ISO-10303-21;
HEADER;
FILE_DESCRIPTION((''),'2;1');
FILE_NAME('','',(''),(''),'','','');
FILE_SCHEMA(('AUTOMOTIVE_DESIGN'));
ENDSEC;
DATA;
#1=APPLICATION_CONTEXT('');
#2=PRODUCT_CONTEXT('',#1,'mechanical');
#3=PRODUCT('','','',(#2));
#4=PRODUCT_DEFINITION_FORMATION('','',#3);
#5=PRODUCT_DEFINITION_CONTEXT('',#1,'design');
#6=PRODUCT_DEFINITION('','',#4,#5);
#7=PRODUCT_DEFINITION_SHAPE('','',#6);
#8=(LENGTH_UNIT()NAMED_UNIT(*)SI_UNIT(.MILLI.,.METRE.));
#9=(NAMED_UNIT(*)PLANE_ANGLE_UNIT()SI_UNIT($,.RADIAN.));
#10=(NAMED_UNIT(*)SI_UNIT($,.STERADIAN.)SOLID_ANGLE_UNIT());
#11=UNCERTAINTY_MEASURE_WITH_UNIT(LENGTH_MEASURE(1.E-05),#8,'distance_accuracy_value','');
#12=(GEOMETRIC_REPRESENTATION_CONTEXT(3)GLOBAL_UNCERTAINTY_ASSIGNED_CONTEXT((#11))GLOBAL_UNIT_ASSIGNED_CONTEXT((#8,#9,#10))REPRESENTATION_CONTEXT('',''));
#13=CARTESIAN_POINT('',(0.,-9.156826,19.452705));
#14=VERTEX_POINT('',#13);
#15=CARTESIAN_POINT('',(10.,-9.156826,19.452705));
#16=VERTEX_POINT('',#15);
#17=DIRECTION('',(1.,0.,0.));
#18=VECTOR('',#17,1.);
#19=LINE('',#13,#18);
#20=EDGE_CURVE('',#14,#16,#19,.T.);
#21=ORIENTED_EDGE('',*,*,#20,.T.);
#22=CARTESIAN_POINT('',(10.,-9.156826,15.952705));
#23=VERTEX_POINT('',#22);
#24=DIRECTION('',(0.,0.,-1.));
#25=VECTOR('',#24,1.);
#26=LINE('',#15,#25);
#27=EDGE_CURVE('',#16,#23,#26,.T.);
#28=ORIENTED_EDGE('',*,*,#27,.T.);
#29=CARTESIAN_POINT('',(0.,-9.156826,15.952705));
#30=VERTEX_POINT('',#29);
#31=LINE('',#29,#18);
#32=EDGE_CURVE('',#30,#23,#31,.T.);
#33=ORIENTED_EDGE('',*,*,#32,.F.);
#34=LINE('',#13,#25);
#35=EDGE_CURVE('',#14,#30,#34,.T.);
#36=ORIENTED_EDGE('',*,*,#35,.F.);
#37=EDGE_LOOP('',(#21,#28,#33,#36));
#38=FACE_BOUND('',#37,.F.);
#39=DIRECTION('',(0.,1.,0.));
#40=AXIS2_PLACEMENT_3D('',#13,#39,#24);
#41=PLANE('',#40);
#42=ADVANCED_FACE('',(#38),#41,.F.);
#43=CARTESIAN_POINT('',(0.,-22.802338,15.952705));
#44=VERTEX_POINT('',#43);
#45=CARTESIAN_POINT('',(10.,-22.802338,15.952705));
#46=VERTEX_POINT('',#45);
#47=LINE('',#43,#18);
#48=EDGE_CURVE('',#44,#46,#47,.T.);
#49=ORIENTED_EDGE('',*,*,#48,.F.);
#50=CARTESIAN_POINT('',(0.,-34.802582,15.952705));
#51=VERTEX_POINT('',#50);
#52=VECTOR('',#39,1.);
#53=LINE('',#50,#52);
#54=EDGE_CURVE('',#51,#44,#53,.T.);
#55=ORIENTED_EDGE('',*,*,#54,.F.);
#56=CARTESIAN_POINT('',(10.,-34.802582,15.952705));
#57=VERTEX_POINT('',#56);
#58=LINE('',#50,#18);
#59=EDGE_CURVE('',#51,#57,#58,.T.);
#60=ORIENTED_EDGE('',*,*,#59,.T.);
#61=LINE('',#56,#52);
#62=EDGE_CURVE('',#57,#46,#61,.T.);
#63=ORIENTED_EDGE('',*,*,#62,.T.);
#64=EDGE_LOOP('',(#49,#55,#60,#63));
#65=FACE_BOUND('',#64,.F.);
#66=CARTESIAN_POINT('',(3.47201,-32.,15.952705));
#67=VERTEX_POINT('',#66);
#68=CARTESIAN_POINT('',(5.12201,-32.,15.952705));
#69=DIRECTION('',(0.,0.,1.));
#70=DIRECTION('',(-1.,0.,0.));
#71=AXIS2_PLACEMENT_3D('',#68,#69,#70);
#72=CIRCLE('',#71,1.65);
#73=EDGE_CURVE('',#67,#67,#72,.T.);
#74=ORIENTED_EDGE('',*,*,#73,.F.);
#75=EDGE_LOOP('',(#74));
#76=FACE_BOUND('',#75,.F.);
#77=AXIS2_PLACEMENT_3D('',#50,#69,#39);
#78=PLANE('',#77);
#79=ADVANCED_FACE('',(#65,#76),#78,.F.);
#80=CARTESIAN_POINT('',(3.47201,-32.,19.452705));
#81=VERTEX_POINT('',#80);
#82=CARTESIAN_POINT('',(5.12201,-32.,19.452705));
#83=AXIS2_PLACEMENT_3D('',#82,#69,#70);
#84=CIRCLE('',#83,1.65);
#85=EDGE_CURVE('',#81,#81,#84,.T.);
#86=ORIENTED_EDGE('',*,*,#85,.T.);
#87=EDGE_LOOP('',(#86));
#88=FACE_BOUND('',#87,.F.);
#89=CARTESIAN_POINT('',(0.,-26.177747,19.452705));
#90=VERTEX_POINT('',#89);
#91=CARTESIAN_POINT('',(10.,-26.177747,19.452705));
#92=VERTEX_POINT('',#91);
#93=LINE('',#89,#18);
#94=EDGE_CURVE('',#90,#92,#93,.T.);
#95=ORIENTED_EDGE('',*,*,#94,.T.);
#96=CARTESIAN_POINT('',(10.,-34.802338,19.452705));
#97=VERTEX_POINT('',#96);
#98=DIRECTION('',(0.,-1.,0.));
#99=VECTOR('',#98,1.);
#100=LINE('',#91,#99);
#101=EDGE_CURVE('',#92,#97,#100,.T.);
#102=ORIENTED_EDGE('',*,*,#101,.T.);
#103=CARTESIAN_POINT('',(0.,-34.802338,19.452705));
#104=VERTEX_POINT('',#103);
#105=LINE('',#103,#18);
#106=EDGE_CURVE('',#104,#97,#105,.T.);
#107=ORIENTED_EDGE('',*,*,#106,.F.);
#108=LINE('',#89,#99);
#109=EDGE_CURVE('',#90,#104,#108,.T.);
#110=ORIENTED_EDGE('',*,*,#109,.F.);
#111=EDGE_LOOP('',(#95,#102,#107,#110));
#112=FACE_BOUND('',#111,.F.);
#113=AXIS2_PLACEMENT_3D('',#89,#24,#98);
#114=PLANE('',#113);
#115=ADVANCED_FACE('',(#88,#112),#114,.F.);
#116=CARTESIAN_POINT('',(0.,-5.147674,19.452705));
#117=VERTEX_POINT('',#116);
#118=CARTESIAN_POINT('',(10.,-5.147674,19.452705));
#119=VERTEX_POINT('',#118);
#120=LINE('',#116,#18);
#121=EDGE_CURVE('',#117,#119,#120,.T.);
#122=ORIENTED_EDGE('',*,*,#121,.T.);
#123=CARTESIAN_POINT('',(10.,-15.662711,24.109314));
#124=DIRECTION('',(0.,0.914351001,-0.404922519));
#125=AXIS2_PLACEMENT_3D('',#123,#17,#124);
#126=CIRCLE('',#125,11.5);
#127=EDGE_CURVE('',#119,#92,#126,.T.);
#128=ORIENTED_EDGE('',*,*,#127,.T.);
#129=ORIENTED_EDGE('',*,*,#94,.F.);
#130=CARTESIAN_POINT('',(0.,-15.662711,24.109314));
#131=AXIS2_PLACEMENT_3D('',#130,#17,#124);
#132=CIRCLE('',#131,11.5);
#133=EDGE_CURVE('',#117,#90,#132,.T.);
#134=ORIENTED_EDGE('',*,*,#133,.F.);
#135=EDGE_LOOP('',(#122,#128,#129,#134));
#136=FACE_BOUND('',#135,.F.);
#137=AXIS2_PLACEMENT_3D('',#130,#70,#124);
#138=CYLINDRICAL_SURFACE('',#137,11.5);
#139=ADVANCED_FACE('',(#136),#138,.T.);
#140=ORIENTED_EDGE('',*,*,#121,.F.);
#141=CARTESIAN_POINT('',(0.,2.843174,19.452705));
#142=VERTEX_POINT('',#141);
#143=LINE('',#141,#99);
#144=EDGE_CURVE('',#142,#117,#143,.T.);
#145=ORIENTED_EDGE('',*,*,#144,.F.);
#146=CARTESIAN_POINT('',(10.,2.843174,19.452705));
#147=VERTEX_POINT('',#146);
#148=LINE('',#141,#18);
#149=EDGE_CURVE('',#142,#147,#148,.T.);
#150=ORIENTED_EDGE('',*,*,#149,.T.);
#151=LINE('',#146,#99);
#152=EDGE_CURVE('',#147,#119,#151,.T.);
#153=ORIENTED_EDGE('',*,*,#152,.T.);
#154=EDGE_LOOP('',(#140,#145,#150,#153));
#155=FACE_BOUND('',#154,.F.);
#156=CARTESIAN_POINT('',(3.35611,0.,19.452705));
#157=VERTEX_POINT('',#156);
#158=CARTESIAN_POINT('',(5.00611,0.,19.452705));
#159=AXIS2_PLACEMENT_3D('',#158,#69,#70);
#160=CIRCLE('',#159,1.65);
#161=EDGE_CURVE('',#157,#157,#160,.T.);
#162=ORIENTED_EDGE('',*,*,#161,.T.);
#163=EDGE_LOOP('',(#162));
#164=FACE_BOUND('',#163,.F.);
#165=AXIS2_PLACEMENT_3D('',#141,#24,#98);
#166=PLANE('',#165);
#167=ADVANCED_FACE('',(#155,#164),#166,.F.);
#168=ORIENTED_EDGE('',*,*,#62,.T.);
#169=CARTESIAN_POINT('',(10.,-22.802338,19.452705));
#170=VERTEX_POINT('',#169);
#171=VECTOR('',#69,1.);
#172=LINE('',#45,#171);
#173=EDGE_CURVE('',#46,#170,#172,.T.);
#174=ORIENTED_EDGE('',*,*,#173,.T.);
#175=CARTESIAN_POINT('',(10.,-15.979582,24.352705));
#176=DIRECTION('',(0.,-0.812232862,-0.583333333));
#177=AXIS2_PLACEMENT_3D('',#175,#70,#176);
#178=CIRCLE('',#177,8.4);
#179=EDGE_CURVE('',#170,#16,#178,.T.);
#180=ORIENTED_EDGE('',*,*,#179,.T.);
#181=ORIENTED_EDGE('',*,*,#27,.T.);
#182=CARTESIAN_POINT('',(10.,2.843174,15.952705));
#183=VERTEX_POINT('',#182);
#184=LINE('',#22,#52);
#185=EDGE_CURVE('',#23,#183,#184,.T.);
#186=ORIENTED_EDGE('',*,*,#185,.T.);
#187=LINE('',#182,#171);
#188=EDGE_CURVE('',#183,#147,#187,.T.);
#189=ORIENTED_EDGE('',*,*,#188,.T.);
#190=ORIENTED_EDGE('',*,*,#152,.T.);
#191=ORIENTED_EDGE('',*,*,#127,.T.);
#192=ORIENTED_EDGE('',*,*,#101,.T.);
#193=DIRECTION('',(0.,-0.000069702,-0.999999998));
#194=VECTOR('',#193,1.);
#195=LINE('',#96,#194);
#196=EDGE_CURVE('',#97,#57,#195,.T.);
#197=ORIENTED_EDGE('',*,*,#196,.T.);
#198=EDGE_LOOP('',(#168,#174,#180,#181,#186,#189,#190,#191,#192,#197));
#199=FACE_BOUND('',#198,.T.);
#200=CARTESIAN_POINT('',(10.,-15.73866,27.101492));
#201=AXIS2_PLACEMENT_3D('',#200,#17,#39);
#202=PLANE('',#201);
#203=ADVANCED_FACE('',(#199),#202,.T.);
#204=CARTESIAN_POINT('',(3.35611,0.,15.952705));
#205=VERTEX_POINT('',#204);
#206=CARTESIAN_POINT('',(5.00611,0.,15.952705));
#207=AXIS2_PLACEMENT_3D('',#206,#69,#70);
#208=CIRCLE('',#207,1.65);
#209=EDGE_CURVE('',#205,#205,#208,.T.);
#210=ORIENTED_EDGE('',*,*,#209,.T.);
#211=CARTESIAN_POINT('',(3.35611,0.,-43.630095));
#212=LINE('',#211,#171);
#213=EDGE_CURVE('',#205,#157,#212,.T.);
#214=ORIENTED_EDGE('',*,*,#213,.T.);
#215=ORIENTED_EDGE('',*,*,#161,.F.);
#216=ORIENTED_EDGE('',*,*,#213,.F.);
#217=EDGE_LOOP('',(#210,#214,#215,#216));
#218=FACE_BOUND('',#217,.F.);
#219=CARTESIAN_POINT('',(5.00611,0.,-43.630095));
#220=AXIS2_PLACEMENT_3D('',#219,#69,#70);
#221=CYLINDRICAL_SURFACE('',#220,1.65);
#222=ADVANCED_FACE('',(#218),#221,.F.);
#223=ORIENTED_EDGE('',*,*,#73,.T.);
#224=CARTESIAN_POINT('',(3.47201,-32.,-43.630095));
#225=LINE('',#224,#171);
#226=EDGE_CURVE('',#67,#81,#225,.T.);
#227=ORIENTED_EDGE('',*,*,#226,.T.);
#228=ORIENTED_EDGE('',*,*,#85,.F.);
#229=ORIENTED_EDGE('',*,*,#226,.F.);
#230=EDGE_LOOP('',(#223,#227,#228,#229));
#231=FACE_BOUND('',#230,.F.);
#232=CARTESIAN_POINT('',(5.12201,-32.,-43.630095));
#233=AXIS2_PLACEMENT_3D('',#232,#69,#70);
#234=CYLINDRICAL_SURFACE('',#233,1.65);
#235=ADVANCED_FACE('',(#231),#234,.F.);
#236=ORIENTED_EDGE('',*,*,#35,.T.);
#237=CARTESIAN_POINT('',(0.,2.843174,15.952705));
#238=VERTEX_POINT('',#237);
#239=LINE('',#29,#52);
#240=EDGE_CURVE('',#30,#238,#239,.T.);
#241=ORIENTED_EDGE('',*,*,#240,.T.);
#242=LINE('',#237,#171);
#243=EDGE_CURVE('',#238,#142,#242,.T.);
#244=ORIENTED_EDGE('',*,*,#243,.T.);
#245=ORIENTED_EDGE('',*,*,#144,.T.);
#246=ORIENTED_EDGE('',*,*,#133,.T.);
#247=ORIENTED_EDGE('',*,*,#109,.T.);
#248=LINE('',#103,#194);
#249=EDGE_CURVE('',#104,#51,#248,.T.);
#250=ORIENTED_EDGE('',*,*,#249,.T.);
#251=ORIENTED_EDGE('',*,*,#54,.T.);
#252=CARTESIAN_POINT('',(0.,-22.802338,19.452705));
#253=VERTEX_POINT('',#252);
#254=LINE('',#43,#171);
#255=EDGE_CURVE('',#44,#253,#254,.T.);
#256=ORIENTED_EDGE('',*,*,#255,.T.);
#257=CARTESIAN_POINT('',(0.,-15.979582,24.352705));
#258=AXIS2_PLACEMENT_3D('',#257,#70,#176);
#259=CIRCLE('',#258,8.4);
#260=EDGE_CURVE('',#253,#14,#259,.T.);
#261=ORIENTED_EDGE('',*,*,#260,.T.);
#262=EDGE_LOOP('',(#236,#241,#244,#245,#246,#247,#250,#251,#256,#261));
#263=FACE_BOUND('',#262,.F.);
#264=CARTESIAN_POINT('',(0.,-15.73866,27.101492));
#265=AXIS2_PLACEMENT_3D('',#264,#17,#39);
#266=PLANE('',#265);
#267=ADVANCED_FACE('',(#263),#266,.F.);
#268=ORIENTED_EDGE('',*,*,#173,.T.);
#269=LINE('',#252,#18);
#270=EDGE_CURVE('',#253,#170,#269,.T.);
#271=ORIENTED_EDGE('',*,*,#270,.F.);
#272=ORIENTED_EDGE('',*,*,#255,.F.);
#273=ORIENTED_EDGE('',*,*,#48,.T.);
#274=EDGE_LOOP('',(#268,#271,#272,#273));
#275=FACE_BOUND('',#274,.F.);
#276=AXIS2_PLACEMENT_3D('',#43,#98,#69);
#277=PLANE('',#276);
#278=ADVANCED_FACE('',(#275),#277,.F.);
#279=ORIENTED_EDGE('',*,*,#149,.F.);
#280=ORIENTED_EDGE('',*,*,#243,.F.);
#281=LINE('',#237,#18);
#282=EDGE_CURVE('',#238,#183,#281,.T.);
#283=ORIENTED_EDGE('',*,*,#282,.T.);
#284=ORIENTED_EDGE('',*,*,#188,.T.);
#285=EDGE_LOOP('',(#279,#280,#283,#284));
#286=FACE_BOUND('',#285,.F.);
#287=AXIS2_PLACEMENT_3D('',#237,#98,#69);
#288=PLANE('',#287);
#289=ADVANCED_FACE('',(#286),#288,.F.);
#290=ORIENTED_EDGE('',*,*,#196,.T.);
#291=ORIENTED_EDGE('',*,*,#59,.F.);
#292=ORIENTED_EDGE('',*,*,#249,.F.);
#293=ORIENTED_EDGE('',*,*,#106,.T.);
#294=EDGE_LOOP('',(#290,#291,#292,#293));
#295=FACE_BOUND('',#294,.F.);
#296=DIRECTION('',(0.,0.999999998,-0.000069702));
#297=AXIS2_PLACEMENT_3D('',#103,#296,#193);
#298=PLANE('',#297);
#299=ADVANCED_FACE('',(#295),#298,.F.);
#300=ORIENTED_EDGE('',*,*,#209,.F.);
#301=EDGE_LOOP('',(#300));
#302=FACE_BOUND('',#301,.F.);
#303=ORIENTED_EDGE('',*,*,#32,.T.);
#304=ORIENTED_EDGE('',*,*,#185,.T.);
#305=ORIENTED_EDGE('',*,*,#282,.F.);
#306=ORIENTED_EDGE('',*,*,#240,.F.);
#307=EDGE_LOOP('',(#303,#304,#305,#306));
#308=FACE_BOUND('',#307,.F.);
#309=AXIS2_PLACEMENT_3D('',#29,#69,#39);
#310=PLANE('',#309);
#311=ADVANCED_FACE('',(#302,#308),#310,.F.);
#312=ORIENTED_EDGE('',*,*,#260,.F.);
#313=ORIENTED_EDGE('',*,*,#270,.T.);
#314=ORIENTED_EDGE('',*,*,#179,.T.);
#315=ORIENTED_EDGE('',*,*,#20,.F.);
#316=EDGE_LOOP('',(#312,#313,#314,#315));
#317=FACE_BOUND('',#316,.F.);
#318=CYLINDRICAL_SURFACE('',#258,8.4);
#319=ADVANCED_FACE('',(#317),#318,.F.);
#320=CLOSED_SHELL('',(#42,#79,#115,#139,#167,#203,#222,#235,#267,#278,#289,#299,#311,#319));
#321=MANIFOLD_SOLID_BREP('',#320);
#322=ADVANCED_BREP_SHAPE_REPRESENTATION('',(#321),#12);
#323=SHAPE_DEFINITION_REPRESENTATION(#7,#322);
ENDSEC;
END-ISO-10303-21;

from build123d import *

# Parameters (mm, degrees)
F1_DEPTH = 10
F3_D     = 3.3
F4_D     = 3.3


with BuildPart() as f1:
    # F0 (on Right) → F1 (new body)
    with BuildSketch(Plane.YZ):
        with BuildLine():
            ThreePointArc((-22.8023384852, 19.4527051061), (-15.9795824438, 32.7527051061), (-9.1568264025, 19.4527051061))
            Line((-9.1568264025, 19.4527051061), (-5.1476741432, 19.4527051061))
            ThreePointArc((-5.1476741432, 19.4527051061), (-15.6627106592, 35.6093140728), (-26.1777471751, 19.4527051061))
            Line((-26.1777471751, 19.4527051061), (-22.8023384852, 19.4527051061))
        make_face()
        Polygon((-5.1476741432, 19.4527051061), (-9.1568264025, 19.4527051061), (-9.1568264025, 15.9527051061), (2.8431735975, 15.9527051061), (2.8431735975, 19.4527051061), align=None)
        Polygon((-22.8023384852, 15.9527051061), (-22.8023384852, 19.4527051061), (-26.1777471751, 19.4527051061), (-34.8023384852, 19.4527051061), (-34.8025824438, 15.9527051061), align=None)
    extrude(amount=F1_DEPTH)

    # F3 (through all)
    with Locations(Plane(origin=(0, 0, 0), x_dir=(1, 0, 0), z_dir=(0, 0, -1))):
        with Locations((5.1220096648, 32)):
            Hole(F3_D / 2)

    # F4 (through all)
    with Locations(Plane(origin=(0, 0, 0), x_dir=(1, 0, 0), z_dir=(0, 0, -1))):
        with Locations((5.00610983, 0)):
            Hole(F4_D / 2)


solid = f1.part
